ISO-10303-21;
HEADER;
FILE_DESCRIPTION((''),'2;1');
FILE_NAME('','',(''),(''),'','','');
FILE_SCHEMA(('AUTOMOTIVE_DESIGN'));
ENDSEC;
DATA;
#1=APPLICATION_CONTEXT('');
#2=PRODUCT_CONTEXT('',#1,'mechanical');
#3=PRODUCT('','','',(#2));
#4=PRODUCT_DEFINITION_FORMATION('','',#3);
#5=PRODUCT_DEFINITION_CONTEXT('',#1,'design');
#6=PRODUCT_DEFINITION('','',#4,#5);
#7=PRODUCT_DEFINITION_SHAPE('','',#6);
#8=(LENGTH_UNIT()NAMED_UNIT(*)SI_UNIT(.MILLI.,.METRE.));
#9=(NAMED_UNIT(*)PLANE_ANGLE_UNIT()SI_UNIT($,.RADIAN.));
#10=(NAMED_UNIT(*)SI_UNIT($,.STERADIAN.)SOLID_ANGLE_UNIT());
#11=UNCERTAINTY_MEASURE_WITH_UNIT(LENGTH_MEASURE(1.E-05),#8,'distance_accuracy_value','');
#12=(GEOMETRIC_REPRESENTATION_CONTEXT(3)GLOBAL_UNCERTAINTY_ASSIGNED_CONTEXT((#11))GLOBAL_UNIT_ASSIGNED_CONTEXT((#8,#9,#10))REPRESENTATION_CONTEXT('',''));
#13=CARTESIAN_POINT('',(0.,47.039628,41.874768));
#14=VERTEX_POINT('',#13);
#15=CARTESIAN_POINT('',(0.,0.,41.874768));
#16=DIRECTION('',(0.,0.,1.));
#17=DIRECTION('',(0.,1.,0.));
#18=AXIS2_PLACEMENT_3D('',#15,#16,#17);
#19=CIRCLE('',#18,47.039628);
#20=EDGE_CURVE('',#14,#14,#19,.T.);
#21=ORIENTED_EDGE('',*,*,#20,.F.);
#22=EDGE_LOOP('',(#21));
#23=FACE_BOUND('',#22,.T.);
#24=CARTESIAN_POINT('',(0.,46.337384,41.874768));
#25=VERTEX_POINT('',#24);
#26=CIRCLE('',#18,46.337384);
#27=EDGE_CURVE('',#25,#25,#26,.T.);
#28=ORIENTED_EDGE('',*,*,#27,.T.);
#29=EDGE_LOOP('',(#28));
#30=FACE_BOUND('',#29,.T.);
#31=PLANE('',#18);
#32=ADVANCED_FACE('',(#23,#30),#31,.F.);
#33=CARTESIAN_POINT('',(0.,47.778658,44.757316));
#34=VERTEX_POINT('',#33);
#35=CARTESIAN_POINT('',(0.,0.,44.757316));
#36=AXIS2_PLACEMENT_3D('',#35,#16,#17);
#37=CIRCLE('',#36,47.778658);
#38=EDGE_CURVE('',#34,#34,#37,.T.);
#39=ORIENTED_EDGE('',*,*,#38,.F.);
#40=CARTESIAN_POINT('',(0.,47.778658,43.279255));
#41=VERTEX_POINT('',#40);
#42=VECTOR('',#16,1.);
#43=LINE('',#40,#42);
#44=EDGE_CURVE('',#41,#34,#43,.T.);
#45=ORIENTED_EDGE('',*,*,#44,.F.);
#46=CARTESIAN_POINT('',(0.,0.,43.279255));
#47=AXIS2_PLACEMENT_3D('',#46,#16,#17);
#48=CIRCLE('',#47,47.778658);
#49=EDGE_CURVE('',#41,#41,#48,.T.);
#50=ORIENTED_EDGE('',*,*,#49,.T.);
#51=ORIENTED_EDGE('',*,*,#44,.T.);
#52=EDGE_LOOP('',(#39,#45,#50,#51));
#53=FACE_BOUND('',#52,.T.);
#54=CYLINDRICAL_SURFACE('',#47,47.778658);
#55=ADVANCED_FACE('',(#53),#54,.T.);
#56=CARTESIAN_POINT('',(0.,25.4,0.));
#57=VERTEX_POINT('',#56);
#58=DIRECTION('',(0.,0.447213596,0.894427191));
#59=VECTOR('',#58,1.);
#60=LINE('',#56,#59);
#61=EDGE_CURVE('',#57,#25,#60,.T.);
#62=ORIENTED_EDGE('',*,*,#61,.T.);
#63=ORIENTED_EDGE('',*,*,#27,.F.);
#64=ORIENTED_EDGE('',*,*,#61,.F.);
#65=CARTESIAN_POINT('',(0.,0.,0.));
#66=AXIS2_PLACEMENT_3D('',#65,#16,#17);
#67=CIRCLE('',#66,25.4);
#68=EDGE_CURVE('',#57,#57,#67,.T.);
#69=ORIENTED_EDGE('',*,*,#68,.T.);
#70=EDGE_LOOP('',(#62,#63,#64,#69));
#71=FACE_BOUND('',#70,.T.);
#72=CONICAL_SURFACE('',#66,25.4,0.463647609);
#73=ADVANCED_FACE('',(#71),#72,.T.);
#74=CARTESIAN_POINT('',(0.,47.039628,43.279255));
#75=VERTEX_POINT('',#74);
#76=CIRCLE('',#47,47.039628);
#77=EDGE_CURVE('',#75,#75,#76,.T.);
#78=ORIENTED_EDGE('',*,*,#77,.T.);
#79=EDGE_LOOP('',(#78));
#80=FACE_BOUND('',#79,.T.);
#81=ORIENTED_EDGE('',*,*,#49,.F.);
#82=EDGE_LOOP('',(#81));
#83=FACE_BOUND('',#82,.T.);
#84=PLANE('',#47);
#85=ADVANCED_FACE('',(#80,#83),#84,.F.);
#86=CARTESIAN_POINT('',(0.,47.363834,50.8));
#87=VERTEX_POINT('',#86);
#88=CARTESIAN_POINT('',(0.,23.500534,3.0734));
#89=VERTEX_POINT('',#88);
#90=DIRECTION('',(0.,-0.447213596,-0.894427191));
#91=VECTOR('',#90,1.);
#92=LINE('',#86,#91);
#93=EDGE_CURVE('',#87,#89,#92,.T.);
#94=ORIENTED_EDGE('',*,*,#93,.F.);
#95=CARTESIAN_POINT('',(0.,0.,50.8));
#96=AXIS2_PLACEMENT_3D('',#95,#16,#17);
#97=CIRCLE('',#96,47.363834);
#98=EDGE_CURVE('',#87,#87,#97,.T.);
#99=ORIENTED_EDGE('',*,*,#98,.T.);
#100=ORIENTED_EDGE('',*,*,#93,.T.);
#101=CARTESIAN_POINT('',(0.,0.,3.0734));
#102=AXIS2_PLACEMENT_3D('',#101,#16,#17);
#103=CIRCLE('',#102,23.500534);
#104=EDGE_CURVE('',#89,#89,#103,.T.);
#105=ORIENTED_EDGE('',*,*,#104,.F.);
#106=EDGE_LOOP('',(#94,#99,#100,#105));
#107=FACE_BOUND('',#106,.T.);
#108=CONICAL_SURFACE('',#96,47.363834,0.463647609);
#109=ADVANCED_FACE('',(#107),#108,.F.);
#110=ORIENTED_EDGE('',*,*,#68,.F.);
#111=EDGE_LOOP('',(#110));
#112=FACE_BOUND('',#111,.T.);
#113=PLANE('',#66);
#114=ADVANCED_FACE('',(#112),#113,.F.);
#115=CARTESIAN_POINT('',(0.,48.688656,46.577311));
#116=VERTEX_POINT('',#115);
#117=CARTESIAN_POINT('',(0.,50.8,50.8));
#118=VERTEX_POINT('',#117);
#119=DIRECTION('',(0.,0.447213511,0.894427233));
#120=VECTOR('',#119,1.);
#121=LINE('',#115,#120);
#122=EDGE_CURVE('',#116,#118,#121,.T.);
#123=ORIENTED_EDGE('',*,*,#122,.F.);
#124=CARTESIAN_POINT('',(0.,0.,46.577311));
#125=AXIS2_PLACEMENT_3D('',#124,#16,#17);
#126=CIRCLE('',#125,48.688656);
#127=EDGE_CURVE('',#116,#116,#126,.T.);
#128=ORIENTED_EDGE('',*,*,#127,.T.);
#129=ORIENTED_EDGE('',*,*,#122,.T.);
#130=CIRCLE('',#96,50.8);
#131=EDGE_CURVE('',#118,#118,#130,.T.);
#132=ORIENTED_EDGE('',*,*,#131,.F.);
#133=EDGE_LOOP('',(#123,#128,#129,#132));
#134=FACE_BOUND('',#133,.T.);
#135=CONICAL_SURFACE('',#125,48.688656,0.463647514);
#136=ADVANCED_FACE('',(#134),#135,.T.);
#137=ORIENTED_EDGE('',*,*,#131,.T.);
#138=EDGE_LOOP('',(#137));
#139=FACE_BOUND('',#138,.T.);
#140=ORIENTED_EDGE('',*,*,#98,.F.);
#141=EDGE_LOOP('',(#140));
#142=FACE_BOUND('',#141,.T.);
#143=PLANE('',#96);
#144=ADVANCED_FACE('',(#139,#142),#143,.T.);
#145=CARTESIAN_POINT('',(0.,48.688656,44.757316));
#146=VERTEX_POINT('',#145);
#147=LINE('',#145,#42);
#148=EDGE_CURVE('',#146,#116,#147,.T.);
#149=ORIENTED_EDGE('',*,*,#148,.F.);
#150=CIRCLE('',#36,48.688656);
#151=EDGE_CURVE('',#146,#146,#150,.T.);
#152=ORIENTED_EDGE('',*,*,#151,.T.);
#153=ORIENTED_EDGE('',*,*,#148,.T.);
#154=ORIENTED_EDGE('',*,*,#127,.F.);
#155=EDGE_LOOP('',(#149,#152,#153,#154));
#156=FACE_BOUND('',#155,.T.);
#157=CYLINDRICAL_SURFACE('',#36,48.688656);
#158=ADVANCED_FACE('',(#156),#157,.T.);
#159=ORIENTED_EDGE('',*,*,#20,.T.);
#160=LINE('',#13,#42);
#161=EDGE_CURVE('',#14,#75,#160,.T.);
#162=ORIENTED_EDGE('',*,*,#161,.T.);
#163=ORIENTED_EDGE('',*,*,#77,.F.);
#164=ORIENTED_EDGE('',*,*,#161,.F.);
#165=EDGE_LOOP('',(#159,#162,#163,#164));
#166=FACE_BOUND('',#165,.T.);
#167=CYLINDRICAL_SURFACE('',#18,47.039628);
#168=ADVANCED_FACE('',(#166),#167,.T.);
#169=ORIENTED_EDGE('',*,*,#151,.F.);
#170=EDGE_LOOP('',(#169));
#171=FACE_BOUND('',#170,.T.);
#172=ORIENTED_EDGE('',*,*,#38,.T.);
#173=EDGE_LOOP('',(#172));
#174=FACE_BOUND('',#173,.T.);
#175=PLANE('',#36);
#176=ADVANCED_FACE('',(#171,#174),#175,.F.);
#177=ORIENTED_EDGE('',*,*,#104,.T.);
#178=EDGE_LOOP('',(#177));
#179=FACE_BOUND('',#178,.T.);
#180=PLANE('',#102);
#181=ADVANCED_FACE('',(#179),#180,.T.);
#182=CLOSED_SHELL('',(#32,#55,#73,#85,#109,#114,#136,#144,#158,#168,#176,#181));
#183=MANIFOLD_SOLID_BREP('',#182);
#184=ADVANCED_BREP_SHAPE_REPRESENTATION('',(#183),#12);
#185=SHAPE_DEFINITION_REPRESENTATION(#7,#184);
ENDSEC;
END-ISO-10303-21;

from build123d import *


with BuildPart() as f1:
    # F0 (on Right) → F1 (revolve)
    with BuildSketch(Plane.YZ):
        Polygon((0, 3.0734), (0, 0), (25.4, 0), (46.337384, 41.874768), (47.039628, 43.279255), (47.778658, 44.757316), (48.688656, 46.577311), (50.8, 50.8), (47.363834, 50.8), (23.500534, 3.0734), align=None)
        Polygon((47.039628, 43.279255), (46.337384, 41.874768), (47.039628, 41.874768), align=None)
        Polygon((47.778658, 44.757316), (47.039628, 43.279255), (47.778658, 43.279255), align=None)
        Polygon((48.688656, 46.577311), (47.778658, 44.757316), (48.688656, 44.757316), align=None)
    revolve(axis=Axis((0, 0, 25.4), (0, 0, 1)))


solid = f1.part
